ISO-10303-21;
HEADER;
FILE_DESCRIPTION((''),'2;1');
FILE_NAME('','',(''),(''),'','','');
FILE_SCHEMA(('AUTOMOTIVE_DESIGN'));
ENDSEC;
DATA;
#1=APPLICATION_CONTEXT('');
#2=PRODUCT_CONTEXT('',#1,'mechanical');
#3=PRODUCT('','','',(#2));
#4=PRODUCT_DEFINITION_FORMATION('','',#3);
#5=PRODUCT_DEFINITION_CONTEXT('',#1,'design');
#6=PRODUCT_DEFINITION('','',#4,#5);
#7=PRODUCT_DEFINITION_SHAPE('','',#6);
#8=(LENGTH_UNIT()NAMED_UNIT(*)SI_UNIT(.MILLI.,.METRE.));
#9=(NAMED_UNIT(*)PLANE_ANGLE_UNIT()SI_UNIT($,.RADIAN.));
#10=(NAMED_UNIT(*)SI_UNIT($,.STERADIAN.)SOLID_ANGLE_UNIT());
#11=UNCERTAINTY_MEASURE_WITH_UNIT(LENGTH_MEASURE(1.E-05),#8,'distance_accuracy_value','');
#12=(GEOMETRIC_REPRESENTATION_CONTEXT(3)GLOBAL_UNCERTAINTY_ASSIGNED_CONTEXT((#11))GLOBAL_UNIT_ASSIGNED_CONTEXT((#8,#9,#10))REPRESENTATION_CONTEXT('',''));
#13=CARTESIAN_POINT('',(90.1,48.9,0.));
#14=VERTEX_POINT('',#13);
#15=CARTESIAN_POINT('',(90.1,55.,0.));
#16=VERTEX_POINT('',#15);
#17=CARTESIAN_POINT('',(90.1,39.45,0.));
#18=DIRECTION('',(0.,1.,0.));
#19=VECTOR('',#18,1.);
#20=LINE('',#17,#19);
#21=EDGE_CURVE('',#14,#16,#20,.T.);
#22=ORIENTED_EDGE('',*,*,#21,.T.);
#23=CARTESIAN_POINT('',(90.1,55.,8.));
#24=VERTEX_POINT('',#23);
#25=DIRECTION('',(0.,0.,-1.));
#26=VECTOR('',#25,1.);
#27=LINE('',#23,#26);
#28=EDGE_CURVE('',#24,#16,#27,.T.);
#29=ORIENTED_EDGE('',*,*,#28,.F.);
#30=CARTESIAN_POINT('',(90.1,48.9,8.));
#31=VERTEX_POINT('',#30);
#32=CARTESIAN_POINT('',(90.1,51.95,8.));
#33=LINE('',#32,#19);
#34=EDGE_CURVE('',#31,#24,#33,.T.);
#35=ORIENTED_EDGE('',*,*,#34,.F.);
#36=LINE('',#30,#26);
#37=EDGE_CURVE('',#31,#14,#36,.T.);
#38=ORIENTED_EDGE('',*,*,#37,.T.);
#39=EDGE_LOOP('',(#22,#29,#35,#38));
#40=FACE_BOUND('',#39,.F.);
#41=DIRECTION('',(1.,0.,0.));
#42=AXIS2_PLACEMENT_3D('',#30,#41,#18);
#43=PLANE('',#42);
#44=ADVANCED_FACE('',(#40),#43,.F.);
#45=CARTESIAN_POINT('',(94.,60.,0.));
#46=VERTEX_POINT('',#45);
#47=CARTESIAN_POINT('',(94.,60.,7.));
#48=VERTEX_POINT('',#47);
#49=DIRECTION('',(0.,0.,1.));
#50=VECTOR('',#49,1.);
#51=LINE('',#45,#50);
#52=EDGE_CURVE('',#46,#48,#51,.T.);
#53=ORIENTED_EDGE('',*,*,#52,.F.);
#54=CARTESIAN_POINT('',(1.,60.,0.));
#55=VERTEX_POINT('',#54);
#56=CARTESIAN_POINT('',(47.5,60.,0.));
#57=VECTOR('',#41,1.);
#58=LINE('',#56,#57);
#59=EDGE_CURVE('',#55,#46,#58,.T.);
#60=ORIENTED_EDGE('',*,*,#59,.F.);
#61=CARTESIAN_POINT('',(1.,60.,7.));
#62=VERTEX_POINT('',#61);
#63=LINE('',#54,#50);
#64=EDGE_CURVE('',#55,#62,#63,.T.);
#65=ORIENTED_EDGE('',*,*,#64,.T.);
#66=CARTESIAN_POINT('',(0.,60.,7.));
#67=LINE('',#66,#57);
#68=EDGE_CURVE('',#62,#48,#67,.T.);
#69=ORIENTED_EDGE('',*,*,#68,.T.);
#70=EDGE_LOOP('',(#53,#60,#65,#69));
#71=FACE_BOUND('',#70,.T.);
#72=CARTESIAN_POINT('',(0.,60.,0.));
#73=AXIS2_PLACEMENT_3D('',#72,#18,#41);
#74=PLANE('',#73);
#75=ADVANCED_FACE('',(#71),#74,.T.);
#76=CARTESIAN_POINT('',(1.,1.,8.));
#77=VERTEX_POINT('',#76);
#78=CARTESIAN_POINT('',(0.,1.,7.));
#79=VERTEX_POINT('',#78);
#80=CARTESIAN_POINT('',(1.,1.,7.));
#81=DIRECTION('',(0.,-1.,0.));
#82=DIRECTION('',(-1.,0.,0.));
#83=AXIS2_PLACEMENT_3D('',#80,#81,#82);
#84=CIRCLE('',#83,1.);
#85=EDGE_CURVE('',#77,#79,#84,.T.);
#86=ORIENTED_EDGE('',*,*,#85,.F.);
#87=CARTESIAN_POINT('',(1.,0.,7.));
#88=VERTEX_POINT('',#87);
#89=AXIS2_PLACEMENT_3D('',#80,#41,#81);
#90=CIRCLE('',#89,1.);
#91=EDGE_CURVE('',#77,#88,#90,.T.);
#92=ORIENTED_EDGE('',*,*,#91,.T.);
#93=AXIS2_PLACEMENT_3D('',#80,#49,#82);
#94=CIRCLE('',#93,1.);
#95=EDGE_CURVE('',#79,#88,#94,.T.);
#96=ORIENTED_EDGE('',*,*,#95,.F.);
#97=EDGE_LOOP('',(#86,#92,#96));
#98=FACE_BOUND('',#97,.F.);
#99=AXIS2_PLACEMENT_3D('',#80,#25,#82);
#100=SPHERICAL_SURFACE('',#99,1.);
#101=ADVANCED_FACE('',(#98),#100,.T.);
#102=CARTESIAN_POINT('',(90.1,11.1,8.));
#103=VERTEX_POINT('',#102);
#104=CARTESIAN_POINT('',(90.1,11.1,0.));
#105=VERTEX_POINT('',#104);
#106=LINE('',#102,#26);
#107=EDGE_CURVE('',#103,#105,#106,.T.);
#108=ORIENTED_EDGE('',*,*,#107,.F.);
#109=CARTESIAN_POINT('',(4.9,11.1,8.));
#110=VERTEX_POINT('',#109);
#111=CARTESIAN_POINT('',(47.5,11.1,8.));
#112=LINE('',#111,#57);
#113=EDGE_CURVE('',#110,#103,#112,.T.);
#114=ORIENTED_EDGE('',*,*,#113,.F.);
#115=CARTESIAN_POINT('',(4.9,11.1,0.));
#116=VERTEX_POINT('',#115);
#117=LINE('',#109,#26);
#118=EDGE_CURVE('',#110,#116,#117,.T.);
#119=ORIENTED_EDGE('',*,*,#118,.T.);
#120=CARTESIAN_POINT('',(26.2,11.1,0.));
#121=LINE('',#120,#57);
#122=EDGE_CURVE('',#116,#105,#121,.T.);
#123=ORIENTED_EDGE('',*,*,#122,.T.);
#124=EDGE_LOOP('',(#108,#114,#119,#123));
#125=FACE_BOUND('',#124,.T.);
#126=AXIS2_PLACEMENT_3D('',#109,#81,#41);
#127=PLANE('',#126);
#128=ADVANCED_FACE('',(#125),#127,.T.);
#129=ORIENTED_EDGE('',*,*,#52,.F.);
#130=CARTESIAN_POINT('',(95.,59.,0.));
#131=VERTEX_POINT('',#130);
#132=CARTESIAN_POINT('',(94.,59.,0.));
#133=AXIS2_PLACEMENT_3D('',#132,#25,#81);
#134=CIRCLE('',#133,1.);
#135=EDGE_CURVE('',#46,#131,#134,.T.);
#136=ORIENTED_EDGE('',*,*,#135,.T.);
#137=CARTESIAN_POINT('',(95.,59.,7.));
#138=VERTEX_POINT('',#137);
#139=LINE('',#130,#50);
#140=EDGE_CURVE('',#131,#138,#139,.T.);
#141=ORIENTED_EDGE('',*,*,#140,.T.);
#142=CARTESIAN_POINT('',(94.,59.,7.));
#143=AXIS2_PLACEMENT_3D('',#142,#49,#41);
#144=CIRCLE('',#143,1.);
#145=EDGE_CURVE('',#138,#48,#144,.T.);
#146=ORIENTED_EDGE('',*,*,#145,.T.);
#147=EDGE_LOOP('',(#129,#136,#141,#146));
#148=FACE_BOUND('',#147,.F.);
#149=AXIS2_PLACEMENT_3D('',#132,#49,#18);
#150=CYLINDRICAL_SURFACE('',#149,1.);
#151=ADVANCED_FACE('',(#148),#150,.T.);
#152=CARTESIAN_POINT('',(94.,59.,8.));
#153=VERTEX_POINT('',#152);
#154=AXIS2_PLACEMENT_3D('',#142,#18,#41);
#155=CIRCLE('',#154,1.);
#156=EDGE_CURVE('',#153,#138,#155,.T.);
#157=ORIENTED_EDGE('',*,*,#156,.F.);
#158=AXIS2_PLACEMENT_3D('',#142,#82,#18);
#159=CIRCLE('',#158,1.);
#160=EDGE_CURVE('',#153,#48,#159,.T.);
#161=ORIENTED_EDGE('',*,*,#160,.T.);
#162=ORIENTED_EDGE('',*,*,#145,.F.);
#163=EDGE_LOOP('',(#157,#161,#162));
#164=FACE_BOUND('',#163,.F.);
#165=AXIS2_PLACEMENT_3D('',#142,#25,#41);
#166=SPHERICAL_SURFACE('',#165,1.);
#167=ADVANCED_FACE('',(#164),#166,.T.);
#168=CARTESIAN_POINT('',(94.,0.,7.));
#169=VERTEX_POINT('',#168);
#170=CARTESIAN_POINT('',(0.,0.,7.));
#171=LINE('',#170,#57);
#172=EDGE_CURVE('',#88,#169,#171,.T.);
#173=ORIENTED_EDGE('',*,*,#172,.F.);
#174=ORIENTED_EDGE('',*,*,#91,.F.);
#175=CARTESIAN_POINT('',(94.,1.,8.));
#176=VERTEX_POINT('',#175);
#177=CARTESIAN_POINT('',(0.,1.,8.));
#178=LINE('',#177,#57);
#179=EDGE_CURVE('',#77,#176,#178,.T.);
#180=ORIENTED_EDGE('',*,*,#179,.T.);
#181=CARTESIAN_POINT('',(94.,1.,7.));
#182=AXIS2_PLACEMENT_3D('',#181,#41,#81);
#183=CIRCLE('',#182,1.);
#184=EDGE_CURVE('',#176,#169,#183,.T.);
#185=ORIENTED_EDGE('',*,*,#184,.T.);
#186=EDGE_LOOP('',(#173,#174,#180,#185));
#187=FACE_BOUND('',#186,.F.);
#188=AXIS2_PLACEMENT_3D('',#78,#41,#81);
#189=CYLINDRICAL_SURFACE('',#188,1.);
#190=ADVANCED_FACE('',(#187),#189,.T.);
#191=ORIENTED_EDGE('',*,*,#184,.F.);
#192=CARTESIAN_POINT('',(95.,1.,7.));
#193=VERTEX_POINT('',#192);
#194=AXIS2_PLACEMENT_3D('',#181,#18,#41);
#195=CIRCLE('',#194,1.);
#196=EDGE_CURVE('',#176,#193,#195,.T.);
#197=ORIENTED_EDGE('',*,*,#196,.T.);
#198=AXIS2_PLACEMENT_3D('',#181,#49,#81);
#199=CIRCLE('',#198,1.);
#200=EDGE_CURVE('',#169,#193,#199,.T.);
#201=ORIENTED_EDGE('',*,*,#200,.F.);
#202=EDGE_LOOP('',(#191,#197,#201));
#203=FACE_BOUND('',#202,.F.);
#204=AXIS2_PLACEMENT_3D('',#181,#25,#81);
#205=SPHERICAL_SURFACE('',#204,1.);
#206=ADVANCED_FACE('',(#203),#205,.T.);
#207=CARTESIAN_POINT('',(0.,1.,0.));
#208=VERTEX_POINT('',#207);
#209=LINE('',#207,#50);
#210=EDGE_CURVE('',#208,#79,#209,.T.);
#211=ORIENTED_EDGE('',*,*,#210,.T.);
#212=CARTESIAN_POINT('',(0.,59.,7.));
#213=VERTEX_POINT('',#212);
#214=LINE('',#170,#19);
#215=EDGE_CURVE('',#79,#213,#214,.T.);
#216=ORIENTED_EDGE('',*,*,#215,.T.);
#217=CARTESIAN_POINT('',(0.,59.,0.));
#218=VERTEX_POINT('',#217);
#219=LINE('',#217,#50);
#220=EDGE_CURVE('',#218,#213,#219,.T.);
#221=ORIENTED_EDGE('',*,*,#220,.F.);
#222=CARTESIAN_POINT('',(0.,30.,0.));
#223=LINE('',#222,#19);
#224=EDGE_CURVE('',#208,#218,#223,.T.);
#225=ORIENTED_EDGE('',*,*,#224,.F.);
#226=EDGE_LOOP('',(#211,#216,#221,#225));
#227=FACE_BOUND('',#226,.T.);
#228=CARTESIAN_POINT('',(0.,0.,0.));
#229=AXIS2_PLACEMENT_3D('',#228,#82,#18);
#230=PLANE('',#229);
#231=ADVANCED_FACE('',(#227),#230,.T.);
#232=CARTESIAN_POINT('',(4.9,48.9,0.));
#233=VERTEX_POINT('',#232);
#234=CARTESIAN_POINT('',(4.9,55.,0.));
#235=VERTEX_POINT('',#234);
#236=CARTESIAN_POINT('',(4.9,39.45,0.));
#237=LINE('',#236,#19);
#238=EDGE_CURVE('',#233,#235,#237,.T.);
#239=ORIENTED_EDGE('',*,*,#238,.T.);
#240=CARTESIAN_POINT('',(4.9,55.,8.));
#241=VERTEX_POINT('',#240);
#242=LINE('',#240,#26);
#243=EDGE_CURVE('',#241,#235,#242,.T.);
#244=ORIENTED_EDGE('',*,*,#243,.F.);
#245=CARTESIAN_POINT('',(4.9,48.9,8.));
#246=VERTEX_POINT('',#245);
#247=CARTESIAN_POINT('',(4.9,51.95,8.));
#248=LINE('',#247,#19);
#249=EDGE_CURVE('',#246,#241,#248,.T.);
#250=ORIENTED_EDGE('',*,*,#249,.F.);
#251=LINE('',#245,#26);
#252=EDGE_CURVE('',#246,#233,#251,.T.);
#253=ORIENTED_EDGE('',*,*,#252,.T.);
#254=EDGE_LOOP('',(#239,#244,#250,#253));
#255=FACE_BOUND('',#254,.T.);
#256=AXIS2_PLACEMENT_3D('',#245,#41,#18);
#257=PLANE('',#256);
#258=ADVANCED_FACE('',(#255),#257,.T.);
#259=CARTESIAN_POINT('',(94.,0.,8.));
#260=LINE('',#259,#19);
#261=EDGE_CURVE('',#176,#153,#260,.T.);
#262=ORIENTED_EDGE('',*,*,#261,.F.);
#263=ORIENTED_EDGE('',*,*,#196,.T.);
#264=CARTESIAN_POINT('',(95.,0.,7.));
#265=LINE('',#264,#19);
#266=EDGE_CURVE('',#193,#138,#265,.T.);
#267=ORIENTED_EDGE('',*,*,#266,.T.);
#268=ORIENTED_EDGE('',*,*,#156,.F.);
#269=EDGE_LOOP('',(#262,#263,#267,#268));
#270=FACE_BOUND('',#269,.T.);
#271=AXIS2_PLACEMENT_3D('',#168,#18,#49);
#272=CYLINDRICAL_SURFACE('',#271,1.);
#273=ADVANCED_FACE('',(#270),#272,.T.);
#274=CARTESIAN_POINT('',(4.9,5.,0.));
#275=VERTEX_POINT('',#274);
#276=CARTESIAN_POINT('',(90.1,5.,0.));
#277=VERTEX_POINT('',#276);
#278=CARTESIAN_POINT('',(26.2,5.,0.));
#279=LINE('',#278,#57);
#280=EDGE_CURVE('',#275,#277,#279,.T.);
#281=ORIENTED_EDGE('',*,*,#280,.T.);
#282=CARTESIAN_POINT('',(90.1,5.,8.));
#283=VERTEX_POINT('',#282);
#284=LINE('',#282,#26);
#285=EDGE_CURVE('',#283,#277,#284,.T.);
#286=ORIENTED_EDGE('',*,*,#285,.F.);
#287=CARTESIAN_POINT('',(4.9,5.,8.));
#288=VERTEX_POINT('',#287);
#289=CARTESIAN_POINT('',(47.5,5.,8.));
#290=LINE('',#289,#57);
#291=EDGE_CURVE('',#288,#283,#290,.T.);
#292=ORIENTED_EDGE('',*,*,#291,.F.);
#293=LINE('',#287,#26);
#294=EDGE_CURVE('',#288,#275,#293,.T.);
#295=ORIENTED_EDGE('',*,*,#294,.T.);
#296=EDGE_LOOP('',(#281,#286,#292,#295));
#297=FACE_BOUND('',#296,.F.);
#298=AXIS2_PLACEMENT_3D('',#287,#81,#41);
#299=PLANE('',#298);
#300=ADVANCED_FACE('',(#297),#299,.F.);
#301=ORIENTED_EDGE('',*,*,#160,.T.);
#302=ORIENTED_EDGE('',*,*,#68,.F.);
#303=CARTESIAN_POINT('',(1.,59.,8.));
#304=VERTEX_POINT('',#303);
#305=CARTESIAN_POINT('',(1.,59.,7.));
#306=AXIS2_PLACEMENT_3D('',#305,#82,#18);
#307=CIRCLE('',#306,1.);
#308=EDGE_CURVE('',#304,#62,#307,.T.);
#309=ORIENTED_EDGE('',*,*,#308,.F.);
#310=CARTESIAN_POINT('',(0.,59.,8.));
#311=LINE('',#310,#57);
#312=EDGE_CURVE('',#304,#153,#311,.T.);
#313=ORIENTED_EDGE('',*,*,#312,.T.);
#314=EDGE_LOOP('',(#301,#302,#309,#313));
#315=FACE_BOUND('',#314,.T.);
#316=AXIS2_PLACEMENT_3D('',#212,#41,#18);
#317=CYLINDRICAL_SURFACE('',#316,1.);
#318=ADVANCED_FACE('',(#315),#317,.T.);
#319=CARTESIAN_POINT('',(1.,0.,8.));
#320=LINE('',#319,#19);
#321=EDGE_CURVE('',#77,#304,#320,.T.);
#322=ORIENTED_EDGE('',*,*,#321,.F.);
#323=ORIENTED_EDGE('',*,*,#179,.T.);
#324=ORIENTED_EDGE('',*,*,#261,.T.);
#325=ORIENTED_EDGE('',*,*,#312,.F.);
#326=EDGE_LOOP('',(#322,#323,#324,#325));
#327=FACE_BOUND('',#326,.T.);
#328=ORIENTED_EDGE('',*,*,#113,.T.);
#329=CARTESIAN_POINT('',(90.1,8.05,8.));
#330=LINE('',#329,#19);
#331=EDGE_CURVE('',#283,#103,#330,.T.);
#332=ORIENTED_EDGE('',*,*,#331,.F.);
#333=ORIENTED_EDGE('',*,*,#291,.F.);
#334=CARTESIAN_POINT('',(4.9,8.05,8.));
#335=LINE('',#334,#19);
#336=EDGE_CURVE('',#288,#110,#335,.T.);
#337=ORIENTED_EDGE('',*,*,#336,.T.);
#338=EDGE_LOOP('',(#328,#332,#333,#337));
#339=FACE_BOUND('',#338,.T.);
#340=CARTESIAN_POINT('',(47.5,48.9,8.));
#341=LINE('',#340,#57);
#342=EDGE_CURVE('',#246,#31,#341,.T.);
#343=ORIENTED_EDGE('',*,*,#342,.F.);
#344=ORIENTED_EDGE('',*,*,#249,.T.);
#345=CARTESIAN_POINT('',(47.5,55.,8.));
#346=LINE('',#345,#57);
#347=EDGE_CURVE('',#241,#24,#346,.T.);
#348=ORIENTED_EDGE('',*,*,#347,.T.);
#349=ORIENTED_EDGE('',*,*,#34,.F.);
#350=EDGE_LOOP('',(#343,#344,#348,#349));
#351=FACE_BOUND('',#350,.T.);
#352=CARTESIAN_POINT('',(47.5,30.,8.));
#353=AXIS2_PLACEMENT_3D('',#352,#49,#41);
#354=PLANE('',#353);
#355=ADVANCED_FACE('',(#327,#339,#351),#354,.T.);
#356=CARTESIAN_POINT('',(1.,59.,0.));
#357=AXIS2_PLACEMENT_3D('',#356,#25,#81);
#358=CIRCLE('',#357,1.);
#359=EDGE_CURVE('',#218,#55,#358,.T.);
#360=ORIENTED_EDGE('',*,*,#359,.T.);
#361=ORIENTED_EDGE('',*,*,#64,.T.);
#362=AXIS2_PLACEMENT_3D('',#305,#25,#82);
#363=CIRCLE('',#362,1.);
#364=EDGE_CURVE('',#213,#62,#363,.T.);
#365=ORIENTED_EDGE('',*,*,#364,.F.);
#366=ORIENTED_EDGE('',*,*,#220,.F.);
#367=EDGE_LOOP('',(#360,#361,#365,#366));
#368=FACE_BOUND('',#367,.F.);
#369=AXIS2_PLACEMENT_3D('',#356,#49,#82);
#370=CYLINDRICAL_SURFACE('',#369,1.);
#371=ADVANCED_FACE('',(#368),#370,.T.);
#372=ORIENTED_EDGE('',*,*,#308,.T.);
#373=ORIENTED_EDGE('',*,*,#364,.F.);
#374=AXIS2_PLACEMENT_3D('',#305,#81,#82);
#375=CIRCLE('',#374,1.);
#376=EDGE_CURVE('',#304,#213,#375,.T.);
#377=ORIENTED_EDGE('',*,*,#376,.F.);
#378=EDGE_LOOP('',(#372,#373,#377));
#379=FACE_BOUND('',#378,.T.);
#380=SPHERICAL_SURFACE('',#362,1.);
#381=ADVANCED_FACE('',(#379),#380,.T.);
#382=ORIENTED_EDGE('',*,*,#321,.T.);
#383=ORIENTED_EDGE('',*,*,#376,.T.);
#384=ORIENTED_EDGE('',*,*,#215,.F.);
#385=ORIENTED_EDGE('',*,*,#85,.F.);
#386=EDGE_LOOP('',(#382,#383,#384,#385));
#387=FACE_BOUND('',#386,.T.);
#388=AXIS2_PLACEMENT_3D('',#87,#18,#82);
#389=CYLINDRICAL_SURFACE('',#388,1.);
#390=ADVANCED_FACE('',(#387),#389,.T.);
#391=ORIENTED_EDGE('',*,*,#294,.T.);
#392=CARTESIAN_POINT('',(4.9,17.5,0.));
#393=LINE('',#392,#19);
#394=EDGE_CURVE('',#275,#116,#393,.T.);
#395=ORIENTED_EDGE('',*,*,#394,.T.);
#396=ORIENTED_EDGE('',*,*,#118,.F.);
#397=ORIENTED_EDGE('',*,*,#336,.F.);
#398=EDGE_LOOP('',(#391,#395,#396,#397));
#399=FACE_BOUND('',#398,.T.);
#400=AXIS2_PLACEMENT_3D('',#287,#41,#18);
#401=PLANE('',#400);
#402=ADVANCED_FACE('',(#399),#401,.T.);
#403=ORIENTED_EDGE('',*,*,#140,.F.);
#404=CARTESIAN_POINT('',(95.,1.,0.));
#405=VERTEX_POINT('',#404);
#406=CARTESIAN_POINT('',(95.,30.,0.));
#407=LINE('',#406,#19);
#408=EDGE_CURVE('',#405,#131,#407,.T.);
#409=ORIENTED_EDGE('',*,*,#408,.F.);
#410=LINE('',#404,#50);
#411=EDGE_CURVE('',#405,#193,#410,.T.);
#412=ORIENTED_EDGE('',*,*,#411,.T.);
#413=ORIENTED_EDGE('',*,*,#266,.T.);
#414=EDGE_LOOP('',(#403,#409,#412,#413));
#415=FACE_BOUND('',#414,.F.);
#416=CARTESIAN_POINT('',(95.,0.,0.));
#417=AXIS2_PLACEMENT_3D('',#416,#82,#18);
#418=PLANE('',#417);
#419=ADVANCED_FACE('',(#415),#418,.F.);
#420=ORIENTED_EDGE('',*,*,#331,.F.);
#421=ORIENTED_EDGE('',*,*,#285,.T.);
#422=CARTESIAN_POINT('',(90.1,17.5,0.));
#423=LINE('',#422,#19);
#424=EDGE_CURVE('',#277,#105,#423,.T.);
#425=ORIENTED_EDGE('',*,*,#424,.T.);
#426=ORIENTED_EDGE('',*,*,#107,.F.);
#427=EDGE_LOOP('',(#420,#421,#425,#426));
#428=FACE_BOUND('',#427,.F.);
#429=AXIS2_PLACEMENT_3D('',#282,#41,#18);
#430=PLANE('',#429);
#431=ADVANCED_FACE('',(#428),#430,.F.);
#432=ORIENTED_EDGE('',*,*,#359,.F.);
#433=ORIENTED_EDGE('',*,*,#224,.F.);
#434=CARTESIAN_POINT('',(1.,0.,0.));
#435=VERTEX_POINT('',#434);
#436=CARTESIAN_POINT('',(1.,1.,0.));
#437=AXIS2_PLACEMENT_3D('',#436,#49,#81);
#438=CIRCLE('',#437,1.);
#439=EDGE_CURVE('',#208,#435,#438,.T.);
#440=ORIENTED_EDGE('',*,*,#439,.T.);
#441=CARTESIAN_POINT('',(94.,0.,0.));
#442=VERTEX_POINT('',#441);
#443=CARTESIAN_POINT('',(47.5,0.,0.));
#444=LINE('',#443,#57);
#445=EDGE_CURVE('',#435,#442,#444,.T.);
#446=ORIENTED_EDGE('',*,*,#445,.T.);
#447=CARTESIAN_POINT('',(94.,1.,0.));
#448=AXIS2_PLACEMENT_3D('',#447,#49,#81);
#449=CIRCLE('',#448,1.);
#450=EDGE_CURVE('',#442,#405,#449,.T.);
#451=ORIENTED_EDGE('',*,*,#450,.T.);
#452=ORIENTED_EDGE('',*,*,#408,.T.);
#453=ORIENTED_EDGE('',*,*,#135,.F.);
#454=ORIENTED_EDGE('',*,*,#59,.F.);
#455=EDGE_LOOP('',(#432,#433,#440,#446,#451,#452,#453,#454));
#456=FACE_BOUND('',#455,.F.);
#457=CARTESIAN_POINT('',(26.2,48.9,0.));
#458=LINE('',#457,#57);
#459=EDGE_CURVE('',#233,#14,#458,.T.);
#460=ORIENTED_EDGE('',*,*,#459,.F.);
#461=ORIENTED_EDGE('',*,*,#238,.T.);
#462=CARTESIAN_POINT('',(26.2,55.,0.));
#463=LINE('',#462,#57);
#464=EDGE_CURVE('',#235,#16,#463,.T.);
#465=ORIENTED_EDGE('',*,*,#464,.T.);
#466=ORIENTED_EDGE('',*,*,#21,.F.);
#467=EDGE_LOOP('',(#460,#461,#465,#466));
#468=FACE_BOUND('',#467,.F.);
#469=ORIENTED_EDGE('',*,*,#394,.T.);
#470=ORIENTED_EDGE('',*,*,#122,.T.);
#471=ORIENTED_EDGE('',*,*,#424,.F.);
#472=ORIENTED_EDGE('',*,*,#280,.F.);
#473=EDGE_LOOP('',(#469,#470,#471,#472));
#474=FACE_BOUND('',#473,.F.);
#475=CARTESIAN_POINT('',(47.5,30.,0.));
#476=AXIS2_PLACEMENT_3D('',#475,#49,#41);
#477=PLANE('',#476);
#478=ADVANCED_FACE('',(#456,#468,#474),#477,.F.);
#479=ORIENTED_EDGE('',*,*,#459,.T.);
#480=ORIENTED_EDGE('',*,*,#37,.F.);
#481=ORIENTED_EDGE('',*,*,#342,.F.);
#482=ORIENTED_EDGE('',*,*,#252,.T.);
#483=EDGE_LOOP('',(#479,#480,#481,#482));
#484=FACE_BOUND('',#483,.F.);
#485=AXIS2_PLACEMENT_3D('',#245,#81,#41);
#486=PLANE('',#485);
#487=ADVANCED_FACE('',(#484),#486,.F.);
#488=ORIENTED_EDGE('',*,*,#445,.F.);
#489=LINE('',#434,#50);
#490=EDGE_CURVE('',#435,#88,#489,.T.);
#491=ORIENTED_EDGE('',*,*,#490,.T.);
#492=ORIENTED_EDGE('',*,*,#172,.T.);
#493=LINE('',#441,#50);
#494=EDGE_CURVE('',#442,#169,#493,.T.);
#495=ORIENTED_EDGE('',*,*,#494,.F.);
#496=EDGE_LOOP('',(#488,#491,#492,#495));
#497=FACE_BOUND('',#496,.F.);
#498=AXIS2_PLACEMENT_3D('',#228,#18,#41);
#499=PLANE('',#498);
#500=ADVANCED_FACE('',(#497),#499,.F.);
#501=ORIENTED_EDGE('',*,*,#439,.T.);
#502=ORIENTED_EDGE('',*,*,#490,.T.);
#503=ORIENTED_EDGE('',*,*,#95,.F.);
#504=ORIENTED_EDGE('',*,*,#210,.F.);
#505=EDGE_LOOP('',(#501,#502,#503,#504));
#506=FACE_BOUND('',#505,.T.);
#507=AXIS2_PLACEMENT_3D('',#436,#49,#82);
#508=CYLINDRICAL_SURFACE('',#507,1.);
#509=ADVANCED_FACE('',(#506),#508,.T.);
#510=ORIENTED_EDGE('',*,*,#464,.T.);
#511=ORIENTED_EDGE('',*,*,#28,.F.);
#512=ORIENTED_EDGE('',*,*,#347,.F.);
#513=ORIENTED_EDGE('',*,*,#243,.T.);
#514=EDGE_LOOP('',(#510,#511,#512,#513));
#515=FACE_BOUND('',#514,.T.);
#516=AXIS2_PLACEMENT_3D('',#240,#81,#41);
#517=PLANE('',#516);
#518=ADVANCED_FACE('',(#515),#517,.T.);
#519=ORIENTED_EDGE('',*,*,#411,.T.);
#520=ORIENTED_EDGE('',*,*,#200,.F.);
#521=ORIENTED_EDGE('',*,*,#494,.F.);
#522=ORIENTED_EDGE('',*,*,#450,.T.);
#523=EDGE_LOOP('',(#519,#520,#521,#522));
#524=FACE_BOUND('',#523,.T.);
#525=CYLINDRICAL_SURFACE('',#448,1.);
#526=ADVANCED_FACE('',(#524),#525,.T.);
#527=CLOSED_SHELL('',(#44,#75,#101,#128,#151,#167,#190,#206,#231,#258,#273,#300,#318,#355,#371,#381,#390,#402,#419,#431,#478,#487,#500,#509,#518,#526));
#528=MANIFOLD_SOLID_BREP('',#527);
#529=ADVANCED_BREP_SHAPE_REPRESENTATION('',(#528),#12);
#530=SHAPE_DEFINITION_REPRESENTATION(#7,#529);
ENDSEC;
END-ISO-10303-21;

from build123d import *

# Parameters (mm, degrees)
F0_W     = 95
F0_H     = 60
F1_DEPTH = 8
F2_W     = 85.2
F2_H     = 6.1
F3_DEPTH = 25
F4_R     = 1


with BuildPart() as f1:
    # F0 (on Top) → F1 (new body)
    with BuildSketch(Plane.XY):
        with Locations((47.5, 30)):
            Rectangle(F0_W, F0_H)
    extrude(amount=F1_DEPTH)

    # F2 (on face) → F3 (cut)
    with BuildSketch(Plane.XY.offset(8)):
        with Locations((47.5, 51.95)):
            Rectangle(F2_W, F2_H)
        with Locations((47.5, 8.05)):
            Rectangle(F2_W, F2_H)
    extrude(amount=-F3_DEPTH, mode=Mode.SUBTRACT)

    # F4
    f4_edges = [f1.edges().sort_by_distance(p)[0] for p in [
        (0, 60, 4),
        (0, 0, 4),
        (95, 0, 4),
        (95, 60, 4),
        (0, 30, 8),
        (47.5, 0, 8),
        (95, 30, 8),
        (47.5, 60, 8),
    ]]
    fillet(f4_edges, radius=F4_R)


solid = f1.part
